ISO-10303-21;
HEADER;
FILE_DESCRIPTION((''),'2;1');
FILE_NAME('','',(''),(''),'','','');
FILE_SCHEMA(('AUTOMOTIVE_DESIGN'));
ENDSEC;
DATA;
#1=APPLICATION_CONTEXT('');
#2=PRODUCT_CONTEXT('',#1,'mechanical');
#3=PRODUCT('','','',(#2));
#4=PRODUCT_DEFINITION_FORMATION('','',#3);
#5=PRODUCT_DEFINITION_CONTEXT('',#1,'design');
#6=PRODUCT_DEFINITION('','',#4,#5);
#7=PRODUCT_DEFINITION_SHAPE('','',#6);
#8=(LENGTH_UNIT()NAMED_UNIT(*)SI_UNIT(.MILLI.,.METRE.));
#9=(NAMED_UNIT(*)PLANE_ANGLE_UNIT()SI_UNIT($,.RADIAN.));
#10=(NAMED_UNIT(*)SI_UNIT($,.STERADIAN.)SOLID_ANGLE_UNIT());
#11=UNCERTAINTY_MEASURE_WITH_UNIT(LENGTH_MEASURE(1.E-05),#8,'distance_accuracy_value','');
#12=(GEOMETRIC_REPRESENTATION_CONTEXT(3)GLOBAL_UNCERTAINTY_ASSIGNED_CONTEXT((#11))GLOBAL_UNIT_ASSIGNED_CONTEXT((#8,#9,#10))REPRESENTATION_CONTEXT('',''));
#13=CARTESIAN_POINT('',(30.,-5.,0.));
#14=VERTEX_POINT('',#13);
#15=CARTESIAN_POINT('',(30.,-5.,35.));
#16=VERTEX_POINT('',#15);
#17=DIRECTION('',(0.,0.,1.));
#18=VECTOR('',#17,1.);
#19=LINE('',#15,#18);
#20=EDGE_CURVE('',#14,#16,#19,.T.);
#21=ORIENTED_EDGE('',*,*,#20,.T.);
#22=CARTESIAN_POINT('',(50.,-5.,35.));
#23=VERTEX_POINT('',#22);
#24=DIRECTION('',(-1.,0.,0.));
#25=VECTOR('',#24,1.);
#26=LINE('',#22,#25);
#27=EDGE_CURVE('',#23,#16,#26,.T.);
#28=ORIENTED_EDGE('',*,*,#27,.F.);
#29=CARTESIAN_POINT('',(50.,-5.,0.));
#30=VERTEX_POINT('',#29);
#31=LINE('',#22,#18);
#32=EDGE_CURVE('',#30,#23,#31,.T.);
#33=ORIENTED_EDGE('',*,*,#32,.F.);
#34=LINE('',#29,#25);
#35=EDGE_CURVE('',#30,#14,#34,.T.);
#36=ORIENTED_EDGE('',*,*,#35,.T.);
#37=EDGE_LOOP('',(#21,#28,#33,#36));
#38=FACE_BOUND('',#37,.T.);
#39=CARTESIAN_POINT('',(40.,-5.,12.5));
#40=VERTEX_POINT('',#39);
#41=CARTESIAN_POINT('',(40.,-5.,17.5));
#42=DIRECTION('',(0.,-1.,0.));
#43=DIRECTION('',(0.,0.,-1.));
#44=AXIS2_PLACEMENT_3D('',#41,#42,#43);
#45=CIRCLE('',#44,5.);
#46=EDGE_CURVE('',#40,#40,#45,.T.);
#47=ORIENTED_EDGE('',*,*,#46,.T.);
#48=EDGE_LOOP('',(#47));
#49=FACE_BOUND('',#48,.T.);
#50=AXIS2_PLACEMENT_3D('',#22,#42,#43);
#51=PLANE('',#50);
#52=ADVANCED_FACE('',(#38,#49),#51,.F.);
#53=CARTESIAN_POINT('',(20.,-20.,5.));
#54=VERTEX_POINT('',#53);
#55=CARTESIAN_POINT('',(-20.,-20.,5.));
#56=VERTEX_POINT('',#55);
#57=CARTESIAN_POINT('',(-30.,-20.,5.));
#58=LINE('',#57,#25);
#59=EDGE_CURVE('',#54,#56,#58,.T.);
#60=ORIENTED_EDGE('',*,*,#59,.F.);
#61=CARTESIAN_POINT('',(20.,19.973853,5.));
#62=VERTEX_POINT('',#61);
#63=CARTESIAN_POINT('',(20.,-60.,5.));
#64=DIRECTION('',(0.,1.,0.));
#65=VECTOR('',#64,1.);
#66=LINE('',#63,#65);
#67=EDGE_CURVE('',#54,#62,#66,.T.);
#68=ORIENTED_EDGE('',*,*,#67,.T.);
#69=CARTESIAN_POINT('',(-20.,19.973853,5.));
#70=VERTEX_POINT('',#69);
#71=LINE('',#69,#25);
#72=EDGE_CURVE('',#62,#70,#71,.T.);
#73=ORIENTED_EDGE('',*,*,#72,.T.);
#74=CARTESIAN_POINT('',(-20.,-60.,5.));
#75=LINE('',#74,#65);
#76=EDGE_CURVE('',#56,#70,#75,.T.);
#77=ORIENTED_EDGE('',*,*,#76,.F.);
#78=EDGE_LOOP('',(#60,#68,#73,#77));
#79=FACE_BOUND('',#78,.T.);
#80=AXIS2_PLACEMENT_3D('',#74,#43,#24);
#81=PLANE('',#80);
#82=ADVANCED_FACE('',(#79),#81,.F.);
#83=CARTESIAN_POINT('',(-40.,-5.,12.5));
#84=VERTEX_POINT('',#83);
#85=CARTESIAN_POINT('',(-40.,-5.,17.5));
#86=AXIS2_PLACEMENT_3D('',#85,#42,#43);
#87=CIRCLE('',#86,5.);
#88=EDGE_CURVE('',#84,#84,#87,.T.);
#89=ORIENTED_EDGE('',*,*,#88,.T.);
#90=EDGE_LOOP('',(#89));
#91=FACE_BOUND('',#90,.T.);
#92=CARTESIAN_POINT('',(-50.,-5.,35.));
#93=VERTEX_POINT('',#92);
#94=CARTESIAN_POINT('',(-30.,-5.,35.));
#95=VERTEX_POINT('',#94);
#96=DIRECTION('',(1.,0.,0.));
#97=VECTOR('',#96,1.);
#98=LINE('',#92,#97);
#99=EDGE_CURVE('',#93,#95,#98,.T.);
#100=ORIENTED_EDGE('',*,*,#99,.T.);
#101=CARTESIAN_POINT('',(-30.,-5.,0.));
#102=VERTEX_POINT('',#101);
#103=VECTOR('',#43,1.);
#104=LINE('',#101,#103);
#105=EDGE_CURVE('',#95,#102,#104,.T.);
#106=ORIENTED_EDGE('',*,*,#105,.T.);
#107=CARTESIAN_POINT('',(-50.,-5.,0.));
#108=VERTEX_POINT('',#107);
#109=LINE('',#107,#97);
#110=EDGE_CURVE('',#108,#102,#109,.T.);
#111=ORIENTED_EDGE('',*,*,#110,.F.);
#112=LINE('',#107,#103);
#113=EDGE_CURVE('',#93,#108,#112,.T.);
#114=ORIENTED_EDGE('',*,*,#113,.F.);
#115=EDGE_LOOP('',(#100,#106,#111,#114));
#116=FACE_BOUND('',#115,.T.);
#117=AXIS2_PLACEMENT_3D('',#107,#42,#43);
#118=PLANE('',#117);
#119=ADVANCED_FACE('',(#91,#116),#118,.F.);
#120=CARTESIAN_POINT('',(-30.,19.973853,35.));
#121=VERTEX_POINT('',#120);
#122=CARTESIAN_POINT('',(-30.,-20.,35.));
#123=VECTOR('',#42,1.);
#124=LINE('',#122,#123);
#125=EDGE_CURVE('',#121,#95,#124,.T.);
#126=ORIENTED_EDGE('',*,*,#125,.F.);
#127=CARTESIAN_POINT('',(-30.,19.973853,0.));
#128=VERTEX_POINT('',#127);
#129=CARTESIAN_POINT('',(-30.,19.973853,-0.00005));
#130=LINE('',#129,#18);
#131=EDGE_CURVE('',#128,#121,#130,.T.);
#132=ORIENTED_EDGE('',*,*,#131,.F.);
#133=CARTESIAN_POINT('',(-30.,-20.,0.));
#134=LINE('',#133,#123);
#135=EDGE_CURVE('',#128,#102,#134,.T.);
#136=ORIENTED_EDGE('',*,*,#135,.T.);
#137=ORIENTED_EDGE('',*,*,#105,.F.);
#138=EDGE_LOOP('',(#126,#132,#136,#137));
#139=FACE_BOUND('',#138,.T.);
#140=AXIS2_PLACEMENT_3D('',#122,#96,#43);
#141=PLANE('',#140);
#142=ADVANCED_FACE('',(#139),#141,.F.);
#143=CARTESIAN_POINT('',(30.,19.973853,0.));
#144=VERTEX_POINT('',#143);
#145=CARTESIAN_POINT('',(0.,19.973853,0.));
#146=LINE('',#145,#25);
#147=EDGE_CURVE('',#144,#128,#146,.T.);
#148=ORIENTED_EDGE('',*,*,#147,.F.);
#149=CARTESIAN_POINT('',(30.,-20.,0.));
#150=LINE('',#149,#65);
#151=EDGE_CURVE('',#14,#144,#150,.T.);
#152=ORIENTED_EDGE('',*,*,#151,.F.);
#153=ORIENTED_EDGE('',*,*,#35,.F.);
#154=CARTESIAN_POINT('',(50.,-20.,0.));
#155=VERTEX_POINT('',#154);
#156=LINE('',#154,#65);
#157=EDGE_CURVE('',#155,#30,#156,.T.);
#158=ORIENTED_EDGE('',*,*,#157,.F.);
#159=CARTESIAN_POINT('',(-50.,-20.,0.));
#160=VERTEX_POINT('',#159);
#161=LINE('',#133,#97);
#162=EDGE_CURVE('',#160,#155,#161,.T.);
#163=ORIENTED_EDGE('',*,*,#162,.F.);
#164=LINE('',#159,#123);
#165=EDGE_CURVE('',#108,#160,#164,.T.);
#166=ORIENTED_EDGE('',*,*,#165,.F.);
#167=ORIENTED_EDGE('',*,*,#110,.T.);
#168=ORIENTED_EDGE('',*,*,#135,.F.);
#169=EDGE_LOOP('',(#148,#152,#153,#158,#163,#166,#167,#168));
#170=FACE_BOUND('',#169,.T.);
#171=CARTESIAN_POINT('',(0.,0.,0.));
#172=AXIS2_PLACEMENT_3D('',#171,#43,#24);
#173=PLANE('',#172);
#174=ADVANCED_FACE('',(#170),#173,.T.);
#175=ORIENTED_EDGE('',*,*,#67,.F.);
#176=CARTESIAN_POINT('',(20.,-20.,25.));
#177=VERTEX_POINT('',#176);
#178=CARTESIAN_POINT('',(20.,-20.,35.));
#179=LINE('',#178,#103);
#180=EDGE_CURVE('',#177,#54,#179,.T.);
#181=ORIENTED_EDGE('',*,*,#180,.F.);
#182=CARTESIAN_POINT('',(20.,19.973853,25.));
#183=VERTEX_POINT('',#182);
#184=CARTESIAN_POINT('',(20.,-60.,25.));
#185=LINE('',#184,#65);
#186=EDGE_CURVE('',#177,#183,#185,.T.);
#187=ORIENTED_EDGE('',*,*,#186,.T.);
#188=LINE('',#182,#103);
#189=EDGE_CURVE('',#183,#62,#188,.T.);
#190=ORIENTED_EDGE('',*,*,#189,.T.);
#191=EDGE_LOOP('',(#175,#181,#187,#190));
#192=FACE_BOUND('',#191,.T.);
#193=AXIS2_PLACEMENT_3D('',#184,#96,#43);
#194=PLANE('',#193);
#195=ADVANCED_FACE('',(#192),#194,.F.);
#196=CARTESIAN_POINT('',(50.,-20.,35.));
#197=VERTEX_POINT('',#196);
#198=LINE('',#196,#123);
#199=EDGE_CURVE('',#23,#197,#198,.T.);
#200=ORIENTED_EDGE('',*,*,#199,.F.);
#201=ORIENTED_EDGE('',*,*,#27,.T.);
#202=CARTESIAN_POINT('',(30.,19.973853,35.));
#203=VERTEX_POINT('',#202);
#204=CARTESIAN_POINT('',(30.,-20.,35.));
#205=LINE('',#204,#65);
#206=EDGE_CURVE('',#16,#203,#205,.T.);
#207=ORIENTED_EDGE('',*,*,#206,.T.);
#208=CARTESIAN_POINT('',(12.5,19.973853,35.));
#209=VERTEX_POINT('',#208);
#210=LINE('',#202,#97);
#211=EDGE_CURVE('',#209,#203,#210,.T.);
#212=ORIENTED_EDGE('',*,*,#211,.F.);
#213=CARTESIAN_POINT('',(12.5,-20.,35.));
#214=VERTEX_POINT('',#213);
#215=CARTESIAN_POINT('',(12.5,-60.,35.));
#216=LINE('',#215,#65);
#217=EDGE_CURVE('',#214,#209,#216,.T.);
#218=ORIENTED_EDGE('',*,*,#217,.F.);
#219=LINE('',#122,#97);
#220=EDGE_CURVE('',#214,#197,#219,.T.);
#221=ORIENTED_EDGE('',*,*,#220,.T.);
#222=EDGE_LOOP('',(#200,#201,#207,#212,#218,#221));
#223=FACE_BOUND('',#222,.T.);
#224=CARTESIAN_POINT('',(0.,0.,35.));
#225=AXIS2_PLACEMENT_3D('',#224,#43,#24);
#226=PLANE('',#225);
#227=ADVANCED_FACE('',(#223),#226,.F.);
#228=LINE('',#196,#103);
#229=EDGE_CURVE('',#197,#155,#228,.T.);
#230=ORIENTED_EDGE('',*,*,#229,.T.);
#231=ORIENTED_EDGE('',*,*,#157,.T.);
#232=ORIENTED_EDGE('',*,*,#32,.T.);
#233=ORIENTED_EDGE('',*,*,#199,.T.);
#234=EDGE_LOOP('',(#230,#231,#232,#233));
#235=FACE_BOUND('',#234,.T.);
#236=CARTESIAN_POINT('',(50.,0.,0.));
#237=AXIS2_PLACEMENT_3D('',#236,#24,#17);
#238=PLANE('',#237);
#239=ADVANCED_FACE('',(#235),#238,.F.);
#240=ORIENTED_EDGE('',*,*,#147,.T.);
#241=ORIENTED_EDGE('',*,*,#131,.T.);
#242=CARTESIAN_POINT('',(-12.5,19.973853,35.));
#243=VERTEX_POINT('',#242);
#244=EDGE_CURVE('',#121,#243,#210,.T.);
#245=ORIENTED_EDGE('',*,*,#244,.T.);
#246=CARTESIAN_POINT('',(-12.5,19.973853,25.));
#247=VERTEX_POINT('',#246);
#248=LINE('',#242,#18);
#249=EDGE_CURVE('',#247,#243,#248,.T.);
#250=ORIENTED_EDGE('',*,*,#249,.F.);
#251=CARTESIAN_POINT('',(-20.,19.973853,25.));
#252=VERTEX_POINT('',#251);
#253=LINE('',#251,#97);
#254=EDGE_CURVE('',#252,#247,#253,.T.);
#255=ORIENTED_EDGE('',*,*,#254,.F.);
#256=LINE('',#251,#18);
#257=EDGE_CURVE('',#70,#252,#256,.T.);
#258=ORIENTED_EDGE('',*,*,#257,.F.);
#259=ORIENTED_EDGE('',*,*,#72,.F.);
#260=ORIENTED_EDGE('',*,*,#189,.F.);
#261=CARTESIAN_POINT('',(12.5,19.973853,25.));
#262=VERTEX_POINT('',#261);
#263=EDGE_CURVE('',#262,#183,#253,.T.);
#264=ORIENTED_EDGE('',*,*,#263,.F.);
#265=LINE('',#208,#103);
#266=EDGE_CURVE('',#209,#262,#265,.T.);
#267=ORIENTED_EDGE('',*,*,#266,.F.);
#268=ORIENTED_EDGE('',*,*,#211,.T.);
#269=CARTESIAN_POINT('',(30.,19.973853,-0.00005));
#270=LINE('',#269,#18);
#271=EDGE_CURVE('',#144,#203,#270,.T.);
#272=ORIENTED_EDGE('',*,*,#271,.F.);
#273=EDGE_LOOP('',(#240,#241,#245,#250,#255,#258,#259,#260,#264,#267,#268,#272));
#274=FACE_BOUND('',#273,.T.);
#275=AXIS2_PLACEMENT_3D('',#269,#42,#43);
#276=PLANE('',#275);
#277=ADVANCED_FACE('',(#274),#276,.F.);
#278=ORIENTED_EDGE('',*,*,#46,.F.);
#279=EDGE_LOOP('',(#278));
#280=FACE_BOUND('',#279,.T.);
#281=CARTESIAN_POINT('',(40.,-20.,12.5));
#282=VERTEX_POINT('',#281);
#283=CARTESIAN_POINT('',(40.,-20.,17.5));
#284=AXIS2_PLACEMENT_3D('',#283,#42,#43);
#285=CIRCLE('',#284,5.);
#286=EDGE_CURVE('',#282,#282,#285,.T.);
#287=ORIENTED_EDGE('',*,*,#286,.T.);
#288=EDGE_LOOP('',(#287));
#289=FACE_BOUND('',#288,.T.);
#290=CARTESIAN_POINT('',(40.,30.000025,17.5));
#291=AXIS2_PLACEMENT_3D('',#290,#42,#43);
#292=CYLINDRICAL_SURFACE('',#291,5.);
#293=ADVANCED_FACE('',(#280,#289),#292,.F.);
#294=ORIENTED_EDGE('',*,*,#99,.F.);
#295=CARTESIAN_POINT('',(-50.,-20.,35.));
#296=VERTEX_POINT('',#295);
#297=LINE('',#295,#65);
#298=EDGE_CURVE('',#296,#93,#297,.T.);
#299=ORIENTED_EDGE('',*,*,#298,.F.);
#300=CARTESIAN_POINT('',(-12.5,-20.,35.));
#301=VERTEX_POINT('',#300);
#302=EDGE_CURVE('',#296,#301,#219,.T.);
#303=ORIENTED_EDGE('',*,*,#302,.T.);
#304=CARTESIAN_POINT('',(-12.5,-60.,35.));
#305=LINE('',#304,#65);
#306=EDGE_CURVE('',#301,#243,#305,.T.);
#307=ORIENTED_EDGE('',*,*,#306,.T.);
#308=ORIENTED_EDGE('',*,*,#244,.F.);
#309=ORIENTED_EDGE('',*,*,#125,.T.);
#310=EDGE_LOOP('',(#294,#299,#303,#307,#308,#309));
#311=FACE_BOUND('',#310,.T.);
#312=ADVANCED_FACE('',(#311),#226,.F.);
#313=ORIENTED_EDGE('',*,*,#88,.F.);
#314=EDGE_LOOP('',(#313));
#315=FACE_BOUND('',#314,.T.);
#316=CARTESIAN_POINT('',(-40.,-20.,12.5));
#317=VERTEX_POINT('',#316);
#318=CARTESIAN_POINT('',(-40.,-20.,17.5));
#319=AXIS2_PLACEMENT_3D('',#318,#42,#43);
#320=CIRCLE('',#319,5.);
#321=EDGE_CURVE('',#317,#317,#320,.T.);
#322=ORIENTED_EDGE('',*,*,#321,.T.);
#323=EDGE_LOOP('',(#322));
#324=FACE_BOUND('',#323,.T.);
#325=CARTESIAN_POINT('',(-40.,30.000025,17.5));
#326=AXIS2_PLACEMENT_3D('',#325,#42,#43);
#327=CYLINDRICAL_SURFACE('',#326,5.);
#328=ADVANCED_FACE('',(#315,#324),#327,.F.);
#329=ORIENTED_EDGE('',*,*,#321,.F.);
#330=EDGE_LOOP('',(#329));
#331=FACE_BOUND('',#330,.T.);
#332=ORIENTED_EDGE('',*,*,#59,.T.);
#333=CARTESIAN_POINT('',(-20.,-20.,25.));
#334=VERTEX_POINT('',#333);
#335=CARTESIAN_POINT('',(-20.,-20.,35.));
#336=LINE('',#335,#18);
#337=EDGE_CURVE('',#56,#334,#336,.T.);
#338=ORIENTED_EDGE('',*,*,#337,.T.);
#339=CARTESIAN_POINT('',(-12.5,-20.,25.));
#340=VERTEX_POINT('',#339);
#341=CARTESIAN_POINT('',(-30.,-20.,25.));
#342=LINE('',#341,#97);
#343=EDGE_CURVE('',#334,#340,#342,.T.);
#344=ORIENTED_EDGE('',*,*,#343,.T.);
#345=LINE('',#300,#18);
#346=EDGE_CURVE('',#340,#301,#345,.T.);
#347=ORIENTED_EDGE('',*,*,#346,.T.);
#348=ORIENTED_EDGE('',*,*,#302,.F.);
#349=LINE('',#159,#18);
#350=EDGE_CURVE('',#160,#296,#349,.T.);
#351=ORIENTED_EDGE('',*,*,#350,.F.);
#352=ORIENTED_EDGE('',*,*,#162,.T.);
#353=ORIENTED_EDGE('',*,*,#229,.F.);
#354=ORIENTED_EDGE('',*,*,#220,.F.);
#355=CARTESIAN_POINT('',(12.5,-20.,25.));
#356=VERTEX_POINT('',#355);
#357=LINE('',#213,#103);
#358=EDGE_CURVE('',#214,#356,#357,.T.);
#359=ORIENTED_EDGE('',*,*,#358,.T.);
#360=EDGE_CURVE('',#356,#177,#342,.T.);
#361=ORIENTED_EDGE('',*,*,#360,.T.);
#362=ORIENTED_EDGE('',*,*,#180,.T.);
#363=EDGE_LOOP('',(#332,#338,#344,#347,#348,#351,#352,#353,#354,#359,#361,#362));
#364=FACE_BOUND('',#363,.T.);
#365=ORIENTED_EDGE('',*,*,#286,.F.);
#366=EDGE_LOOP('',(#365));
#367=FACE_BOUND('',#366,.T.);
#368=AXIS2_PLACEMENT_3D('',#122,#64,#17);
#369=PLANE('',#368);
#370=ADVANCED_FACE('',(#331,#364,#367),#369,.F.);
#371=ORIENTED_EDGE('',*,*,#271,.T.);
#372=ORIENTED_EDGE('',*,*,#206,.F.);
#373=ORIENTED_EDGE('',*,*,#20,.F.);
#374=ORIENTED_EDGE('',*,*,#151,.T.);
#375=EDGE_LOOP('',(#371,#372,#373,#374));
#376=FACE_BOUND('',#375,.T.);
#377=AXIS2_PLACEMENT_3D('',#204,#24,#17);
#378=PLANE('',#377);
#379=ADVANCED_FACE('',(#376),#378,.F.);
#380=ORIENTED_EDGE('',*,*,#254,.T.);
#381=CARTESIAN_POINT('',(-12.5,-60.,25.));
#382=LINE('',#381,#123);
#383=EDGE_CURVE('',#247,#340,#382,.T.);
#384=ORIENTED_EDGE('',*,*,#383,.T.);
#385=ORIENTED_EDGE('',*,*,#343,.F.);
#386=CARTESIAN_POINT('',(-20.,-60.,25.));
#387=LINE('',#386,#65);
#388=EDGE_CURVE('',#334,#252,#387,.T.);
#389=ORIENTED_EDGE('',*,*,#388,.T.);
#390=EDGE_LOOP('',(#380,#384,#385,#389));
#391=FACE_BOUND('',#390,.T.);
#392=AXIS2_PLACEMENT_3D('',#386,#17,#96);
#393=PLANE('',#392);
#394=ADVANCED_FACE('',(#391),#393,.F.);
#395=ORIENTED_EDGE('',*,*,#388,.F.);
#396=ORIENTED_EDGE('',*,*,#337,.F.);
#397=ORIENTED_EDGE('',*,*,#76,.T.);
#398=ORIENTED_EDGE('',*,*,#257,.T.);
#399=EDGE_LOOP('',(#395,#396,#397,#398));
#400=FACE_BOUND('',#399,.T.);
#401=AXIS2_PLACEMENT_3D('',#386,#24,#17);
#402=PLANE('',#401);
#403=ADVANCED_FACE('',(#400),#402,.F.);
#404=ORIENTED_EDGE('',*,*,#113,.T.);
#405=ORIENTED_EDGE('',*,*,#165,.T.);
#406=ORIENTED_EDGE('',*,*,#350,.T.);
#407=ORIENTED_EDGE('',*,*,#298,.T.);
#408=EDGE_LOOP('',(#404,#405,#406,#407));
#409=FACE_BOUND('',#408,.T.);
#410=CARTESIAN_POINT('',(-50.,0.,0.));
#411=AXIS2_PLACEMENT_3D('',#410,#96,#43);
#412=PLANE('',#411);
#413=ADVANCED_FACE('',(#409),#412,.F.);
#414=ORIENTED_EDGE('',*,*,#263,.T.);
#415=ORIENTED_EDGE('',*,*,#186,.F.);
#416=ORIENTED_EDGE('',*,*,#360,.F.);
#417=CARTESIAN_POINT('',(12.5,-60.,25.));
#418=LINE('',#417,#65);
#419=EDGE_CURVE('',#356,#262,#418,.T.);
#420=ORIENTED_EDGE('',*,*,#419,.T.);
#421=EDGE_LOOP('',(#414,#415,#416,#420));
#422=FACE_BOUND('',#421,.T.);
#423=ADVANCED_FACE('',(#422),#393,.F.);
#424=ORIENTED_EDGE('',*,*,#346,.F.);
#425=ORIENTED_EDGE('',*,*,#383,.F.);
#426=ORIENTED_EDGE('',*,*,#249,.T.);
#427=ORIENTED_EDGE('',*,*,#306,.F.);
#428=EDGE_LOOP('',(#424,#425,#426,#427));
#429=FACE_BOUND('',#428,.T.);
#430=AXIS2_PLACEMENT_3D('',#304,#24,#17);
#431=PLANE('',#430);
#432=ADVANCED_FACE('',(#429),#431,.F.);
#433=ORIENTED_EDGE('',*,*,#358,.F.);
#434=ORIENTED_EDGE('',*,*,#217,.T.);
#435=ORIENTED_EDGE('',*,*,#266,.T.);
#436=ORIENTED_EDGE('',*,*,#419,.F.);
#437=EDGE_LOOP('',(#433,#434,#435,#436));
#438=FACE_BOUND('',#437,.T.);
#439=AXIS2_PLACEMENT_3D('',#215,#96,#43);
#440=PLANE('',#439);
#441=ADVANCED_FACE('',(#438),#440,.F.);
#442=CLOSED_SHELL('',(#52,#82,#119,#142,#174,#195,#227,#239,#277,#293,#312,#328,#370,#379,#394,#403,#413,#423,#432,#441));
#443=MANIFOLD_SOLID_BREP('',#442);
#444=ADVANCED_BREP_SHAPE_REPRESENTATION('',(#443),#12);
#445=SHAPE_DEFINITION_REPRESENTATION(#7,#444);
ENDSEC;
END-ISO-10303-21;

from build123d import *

# Parameters (mm, degrees)
ESBO_O1_W                = 60
ESBO_O1_H                = 40
RESSALTO_EXTRUS_O1_DEPTH = 35
ESBO_O3_W                = 40
ESBO_O3_H                = 20
CORTE_EXTRUS_O2_DEPTH    = 80
ESBO_O4_W                = 25
ESBO_O4_H                = 10
CORTE_EXTRUS_O3_DEPTH    = 80
ESBO_O5_W                = 35
ESBO_O5_H                = 15
RESSALTO_EXTRUS_O2_DEPTH = 20
ESBO_O6_W                = 35
ESBO_O6_H                = 15
RESSALTO_EXTRUS_O3_DEPTH = 20
ESBO_O7_W                = 60
ESBO_O7_H                = 35
RESSALTO_EXTRUS_O4_DEPTH = 10
ESBO_O8_R                = 5
CORTE_EXTRUS_O4_DEPTH    = 51
ESBO_O9_W                = 60
ESBO_O9_H                = 10.026146623
CORTE_EXTRUS_O5_DEPTH    = 36


with BuildPart() as part:
    # Esboço1 → Ressalto-extrusão1 (new body)
    with BuildSketch(Plane.XY):
        Rectangle(ESBO_O1_W, ESBO_O1_H)
    extrude(amount=RESSALTO_EXTRUS_O1_DEPTH)

    # Esboço3 → Corte-extrusão2 (cut)
    with BuildSketch(Plane(origin=(0, 20, 0), x_dir=(1, 0, 0), z_dir=(0, 1, 0))):
        with Locations((0, -15)):
            Rectangle(ESBO_O3_W, ESBO_O3_H)
    extrude(amount=-CORTE_EXTRUS_O2_DEPTH, mode=Mode.SUBTRACT)

    # Esboço4 → Corte-extrusão3 (cut)
    with BuildSketch(Plane(origin=(0, 20, 0), x_dir=(1, 0, 0), z_dir=(0, 1, 0))):
        with Locations((0, -30)):
            Rectangle(ESBO_O4_W, ESBO_O4_H)
    extrude(amount=-CORTE_EXTRUS_O3_DEPTH, mode=Mode.SUBTRACT)

    # Esboço5 → Ressalto-extrusão2 (add)
    with BuildSketch(Plane(origin=(30, 0, 0), x_dir=(0, 0, -1), z_dir=(1, 0, 0))):
        with Locations((-17.5, -12.5)):
            Rectangle(ESBO_O5_W, ESBO_O5_H)
    extrude(amount=RESSALTO_EXTRUS_O2_DEPTH)

    # Esboço6 → Ressalto-extrusão3 (add)
    with BuildSketch(Plane.ZY.offset(30)):
        with Locations((17.5, -12.5)):
            Rectangle(ESBO_O6_W, ESBO_O6_H)
    extrude(amount=RESSALTO_EXTRUS_O3_DEPTH)

    # Esboço7 → Ressalto-extrusão4 (add)
    with BuildSketch(Plane(origin=(0, 20, 0), x_dir=(1, 0, 0), z_dir=(0, 1, 0))):
        with Locations((0, -17.5)):
            Rectangle(ESBO_O7_W, ESBO_O7_H)
    extrude(amount=RESSALTO_EXTRUS_O4_DEPTH)

    # Esboço8 → Corte-extrusão4 (cut, through all)
    with BuildSketch(Plane.XZ.offset(20)):
        with Locations((40, 17.5)):
            Circle(ESBO_O8_R)
        with Locations((-40, 17.5)):
            Circle(ESBO_O8_R)
    extrude(amount=-CORTE_EXTRUS_O4_DEPTH, mode=Mode.SUBTRACT)

    # Esboço9 → Corte-extrusão5 (cut, through all)
    with BuildSketch(Plane.XY.offset(35)):
        with Locations((0, 24.986926689)):
            Rectangle(ESBO_O9_W, ESBO_O9_H)
    extrude(amount=-CORTE_EXTRUS_O5_DEPTH, mode=Mode.SUBTRACT)


solid = part.part
